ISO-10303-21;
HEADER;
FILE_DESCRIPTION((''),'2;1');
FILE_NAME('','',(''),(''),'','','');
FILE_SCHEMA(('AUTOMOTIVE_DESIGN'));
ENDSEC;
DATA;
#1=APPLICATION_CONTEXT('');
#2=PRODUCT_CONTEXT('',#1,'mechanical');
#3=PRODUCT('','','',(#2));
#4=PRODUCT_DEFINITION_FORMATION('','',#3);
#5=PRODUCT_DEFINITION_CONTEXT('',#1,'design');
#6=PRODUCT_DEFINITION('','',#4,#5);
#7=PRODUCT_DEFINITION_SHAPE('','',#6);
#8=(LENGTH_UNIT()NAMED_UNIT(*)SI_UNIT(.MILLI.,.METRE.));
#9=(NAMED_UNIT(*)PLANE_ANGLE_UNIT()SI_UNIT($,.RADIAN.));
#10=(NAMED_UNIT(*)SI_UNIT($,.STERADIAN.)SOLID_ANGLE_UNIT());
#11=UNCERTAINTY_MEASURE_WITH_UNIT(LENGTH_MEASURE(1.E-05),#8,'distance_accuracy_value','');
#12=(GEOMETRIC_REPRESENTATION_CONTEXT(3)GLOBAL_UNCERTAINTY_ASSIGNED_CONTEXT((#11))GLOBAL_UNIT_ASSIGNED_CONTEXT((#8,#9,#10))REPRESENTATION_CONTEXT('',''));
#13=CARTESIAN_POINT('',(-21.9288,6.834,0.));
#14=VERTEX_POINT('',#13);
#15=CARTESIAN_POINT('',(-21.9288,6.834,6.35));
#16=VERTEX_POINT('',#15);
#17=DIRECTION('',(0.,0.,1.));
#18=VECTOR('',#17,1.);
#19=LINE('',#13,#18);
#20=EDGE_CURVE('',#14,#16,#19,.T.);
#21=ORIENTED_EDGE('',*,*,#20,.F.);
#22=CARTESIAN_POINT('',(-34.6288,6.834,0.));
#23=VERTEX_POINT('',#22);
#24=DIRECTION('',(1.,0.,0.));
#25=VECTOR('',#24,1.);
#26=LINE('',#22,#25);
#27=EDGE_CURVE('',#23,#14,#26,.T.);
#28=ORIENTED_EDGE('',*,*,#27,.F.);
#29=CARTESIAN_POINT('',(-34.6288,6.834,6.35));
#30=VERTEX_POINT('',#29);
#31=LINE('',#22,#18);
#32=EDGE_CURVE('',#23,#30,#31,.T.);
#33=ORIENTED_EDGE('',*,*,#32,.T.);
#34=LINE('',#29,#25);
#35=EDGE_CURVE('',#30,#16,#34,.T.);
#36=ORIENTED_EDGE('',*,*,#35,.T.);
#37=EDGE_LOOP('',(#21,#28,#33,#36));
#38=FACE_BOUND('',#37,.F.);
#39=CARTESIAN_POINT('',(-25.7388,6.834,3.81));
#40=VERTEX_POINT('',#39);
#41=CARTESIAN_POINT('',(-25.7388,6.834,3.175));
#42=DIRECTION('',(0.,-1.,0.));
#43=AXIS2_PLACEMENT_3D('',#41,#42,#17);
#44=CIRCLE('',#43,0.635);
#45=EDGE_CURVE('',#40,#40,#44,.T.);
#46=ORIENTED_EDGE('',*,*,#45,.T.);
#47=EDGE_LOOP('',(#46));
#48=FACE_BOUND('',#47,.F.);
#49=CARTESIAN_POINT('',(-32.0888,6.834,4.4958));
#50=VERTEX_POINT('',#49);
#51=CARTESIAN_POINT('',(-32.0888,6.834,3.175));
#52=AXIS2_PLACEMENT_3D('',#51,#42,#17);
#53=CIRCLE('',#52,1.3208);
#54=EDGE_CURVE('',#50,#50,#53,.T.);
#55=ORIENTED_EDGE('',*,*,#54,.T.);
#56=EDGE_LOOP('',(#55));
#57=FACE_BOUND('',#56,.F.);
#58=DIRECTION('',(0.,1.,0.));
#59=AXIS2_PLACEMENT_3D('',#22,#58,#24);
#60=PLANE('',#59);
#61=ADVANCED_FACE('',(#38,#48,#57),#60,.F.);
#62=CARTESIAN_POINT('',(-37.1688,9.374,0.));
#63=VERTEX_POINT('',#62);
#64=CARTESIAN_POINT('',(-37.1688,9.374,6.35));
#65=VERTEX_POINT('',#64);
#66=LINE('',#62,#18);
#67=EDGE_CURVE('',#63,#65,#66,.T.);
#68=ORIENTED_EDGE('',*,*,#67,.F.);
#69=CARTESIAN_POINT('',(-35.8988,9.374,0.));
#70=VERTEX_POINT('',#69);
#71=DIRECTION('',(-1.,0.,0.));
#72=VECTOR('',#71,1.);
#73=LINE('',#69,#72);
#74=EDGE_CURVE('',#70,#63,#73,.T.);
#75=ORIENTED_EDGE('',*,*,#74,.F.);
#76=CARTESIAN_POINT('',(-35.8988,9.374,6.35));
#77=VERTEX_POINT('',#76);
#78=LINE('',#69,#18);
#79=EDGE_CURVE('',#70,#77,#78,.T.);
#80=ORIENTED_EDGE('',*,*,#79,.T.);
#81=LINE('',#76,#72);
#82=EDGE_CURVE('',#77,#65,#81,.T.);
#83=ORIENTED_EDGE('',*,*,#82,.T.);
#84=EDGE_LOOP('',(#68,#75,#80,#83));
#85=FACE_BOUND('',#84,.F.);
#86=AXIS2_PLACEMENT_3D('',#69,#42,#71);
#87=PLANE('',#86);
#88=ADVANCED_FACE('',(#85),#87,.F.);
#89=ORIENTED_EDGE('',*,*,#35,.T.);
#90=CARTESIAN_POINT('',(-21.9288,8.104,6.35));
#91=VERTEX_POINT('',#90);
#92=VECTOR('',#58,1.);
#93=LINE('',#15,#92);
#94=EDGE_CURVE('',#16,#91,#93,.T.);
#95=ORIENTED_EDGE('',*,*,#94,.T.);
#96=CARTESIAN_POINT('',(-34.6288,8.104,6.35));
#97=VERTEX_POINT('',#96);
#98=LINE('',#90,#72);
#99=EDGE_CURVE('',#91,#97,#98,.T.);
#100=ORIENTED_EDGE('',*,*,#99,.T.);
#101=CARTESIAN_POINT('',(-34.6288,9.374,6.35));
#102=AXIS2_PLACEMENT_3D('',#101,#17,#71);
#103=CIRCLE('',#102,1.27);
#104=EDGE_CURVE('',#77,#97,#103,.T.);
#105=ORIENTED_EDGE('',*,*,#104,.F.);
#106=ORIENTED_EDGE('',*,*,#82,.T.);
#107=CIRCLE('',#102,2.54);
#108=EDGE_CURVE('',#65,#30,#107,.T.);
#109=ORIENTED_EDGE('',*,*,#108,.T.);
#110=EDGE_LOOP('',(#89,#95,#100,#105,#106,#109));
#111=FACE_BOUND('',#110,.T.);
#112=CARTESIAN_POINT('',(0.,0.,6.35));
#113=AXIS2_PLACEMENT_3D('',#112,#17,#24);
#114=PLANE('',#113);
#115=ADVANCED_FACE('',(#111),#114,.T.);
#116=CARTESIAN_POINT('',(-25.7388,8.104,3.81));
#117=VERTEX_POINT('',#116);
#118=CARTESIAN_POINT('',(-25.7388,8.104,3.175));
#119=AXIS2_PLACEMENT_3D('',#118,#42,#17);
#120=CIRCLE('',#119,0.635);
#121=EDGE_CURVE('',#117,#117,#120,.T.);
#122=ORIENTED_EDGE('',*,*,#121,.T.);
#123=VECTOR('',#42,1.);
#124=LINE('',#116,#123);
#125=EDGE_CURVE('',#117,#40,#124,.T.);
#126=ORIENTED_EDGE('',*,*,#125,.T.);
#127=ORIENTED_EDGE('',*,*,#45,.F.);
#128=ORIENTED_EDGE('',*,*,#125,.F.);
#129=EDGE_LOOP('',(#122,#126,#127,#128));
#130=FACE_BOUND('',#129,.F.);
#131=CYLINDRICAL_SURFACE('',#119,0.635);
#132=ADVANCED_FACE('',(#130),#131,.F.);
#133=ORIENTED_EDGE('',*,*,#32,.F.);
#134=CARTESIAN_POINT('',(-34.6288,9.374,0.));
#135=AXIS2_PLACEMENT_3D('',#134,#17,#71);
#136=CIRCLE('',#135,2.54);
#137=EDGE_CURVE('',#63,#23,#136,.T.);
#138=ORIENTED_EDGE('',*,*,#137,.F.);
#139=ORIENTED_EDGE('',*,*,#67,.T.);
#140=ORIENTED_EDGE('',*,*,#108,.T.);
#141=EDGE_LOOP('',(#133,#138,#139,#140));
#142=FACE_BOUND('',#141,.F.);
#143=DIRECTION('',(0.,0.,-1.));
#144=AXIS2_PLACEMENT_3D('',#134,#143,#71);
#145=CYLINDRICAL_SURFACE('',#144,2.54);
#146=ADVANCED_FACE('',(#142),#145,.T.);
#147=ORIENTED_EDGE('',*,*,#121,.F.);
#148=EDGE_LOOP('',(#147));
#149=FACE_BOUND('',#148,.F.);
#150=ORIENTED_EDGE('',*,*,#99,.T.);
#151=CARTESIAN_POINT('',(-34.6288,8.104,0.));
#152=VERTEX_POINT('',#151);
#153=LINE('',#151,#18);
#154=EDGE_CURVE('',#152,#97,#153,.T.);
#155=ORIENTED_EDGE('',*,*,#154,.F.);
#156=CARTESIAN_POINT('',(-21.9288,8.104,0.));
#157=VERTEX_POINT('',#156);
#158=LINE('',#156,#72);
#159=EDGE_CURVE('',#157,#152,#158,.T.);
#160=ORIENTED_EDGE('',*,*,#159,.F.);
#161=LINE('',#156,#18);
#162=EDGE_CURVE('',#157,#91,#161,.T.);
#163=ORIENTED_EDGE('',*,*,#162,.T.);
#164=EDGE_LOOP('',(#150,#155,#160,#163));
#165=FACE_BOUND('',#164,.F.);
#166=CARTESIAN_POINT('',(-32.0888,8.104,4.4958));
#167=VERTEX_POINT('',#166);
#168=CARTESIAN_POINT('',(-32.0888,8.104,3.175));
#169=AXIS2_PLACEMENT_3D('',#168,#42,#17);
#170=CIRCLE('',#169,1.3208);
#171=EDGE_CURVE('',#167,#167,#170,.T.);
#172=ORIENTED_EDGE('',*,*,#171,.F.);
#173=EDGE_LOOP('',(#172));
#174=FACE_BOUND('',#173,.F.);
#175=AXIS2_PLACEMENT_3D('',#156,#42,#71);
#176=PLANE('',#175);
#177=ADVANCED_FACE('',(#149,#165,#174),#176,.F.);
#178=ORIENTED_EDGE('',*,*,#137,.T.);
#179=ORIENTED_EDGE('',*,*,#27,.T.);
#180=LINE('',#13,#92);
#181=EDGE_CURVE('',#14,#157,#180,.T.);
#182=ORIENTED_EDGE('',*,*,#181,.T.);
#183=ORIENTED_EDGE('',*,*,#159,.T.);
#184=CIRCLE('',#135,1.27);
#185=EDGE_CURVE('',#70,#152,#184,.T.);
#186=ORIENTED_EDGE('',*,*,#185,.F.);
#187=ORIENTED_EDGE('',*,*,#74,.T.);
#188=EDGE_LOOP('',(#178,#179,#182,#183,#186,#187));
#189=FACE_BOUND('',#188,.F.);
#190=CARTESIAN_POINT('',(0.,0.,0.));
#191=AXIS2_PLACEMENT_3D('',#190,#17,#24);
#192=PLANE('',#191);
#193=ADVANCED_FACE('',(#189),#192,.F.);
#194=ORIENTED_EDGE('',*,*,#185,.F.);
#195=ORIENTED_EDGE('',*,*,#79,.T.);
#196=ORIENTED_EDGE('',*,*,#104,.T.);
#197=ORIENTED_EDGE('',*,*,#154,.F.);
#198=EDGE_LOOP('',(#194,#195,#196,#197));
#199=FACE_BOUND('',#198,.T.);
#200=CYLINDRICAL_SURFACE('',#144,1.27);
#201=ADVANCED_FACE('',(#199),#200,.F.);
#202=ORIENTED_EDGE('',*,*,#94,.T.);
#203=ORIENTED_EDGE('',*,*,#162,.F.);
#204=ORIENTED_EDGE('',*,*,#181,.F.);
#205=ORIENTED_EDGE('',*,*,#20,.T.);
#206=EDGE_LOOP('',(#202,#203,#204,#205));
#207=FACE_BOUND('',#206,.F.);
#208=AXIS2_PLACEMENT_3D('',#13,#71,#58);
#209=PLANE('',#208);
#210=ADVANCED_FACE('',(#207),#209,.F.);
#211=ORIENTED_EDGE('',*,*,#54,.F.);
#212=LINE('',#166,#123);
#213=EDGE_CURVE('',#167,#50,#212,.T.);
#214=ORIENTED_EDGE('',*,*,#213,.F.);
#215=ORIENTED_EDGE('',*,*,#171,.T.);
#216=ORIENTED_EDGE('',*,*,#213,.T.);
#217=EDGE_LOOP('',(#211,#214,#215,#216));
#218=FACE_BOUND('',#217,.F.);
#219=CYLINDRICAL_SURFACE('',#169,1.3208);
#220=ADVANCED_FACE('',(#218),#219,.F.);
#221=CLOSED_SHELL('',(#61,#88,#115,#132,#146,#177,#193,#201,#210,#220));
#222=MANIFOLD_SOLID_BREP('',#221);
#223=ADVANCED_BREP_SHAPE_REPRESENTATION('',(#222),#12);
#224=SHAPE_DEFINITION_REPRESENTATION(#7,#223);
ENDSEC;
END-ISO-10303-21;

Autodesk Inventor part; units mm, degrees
ref_plane "YZ Plane" through (0, 0, 0) normal (1, 0, 0) x (0, 1, 0)
ref_plane "XZ Plane" through (0, 0, 0) normal (0, 1, 0) x (-1, 0, 0)
ref_plane "XY Plane" through (0, 0, 0) normal (0, 0, 1) x (1, 0, 0)
sketch "Sketch1" plane through (0, 0, 0) normal (0, 0, 1) x (1, 0, 0)
  line L0 (-37.1688, 9.374) -> (-37.1688, 9.374)
  line L1 (-34.6288, 6.834) -> (-21.9288, 6.834)
  line L2 (-21.9288, 6.834) -> (-21.9288, 8.104)
  line L3 (-21.9288, 8.104) -> (-34.6288, 8.104)
  line L4 (-35.8988, 9.374) -> (-35.8988, 9.374)
  line L5 (-35.8988, 9.374) -> (-37.1688, 9.374)
  arc A0 (-35.8988, 9.374) -> (-34.6288, 8.104) centre (-34.6288, 9.374) ccw
  arc A1 (-37.1688, 9.374) -> (-34.6288, 6.834) centre (-34.6288, 9.374) ccw
  dimension "d0" = 1.27
  dimension "d1" = 1.27
  dimension "d2" = 2.54
  dimension "d3" = 1.27
  dimension "d4" = 15.24
  dimension "d5" = 2.54
extrude "Extrusion1" add sketch "Sketch1" along normal blind 6.35
sketch "Sketch2" plane through (-34.6288, 8.104, 0) normal (0, 1, 0) x (1, 0, 0)
  line L0 (0, -6.35) -> (12.7, -6.35) projected
  line L1 (0, 0) -> (12.7, 0) projected
  circle A0 centre (2.54, -3.175) radius 3.175 construction
  dimension "d8" = 10.16
hole "Hole1" at (-32.0888, 8.104, 3.175) at (-32.0888, 8.104, 3.175) direction (0, -1, 0) diameter 2.6416 end through all thread size "6-32 UNC" class "2B" standard "ANSI Unified Screw Threads"
sketch "Sketch3" plane through (-34.6288, 8.104, 0) normal (0, 1, 0) x (1, 0, 0)
  circle A0 centre (2.54, -3.175) radius 1.3208 projected
  point P0 (8.89, -3.175)
  dimension "d16" = 6.35
hole "Hole2" at (-25.7388, 8.104, 3.175) direction (0, -1, 0) diameter 1.27 end through all
properties part number "contact" material "Brass, Soft Yellow"
